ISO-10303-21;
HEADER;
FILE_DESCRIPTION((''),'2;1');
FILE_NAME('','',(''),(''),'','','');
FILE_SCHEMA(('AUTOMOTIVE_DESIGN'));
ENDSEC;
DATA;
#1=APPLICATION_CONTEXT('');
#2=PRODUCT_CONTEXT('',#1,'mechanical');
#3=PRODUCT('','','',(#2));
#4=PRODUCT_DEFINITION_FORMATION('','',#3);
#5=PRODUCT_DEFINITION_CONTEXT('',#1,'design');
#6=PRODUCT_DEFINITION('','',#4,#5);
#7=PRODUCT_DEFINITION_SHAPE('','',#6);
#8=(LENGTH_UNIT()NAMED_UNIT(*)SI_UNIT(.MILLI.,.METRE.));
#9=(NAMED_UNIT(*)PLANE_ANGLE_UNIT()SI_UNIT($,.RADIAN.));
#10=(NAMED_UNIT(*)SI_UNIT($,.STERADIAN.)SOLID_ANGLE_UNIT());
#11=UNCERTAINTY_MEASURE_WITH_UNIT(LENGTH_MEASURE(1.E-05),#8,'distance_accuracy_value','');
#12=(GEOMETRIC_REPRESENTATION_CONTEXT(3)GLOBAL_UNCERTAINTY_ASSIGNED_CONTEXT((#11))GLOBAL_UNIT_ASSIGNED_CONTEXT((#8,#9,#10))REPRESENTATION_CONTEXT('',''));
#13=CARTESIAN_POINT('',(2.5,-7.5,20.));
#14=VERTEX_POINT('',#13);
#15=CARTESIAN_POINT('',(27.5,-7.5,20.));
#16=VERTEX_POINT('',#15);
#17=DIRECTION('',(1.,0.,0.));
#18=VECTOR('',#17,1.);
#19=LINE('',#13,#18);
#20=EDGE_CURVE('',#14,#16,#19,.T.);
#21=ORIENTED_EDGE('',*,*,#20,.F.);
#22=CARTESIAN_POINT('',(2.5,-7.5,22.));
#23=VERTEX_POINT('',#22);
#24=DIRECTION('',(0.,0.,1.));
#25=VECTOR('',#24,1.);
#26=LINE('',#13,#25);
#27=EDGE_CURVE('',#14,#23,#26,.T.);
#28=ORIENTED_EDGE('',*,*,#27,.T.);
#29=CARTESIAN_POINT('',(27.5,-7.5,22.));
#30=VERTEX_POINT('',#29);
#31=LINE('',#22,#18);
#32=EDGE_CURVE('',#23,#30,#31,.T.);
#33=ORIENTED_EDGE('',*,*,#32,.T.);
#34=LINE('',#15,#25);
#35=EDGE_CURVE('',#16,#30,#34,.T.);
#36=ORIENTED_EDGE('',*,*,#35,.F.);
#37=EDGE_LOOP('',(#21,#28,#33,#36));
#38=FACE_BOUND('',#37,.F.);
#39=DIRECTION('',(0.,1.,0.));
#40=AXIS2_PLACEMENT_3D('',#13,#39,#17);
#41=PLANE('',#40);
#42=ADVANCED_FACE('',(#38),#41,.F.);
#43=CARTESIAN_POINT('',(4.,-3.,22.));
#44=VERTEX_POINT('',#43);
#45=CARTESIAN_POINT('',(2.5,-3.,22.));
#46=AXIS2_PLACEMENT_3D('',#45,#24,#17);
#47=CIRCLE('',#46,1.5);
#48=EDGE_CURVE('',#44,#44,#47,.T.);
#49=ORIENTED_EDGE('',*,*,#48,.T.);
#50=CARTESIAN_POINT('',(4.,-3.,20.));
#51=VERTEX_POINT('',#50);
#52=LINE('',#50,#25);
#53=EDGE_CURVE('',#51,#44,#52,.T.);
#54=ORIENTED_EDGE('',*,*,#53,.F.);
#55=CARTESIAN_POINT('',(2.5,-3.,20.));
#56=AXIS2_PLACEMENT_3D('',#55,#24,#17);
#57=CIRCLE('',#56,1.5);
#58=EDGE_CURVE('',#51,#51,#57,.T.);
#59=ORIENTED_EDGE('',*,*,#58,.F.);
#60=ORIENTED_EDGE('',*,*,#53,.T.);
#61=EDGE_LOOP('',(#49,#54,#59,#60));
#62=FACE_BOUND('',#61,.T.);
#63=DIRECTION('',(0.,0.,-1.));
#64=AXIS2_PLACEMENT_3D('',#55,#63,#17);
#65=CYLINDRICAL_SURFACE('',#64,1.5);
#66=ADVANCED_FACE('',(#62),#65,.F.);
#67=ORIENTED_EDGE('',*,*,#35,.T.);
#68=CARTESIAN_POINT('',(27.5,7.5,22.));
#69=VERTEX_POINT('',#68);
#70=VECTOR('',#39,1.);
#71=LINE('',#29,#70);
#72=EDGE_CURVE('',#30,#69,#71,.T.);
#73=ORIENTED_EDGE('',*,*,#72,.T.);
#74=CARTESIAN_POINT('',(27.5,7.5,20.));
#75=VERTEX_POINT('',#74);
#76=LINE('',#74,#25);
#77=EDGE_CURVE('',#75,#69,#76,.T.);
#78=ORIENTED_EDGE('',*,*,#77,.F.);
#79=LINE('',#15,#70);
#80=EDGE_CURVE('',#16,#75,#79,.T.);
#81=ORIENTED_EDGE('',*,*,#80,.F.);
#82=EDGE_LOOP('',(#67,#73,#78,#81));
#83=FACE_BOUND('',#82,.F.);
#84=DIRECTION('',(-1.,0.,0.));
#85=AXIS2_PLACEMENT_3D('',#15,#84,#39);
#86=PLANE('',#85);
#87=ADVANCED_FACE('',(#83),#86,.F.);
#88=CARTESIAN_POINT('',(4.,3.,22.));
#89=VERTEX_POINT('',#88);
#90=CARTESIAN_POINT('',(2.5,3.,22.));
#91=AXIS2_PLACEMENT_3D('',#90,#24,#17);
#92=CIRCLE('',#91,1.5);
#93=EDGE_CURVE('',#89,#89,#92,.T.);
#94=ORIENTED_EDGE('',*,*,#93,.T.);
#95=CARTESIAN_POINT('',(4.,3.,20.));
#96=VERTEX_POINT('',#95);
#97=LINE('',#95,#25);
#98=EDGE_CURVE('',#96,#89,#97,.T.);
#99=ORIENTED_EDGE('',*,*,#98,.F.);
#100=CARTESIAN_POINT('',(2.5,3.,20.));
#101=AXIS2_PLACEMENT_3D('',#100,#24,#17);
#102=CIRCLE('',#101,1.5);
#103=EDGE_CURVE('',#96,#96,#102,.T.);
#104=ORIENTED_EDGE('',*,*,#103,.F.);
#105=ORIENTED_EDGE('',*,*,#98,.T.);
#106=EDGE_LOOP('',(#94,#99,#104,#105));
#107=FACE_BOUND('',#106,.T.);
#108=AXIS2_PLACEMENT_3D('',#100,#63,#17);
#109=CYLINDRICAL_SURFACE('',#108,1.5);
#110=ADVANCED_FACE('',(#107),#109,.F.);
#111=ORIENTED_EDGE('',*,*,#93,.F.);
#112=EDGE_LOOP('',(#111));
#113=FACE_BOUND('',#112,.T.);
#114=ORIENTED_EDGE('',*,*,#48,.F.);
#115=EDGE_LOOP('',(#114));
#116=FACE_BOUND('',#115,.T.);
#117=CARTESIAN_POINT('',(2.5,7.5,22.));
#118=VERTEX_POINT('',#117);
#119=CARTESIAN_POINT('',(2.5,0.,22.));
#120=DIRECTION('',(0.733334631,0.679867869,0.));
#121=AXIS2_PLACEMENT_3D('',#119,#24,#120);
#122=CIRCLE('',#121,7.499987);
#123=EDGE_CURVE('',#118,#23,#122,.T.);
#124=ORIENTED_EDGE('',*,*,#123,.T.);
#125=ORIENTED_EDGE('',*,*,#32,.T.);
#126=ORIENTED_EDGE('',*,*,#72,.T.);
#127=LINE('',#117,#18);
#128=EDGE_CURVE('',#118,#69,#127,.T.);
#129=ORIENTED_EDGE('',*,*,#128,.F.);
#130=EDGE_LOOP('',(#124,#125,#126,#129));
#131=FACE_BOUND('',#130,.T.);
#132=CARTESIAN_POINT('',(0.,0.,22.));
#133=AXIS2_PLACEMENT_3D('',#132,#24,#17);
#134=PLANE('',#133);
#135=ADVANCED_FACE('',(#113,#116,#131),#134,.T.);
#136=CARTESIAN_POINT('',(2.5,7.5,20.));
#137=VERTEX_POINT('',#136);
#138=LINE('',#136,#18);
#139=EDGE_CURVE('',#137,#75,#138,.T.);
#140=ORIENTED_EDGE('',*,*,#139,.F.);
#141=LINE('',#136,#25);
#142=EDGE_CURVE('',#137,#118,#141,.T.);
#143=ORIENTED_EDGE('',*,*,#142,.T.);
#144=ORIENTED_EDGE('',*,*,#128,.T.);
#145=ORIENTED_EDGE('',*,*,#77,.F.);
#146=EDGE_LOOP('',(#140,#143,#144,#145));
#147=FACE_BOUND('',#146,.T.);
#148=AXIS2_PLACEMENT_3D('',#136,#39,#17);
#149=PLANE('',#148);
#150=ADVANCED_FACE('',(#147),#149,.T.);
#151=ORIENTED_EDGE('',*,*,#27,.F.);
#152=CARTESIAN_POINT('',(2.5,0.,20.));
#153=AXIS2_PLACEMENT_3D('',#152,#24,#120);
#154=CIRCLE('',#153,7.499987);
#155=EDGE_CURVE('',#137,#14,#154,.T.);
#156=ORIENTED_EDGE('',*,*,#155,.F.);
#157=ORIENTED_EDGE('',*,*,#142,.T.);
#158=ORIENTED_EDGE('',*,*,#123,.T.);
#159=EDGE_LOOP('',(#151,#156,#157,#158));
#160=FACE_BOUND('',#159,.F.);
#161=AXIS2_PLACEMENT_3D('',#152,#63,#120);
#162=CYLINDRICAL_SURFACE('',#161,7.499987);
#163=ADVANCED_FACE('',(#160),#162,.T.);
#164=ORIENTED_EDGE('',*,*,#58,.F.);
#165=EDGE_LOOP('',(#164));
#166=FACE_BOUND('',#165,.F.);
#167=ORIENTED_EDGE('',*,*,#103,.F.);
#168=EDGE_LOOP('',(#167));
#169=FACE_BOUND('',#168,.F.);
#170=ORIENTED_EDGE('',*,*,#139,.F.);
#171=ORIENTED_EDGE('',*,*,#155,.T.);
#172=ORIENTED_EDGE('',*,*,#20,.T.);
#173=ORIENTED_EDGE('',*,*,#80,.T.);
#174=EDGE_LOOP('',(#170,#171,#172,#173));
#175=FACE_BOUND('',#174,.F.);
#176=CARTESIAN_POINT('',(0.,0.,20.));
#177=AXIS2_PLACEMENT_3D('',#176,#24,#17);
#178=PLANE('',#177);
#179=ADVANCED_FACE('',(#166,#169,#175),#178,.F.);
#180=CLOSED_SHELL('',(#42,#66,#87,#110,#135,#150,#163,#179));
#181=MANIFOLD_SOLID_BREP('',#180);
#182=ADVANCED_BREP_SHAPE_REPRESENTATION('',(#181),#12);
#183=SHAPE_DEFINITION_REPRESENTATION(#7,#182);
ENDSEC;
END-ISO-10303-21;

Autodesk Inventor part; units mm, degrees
ref_plane "YZ Plane" through (0, 0, 0) normal (1, 0, 0) x (0, 1, 0)
ref_plane "XZ Plane" through (0, 0, 0) normal (0, 1, 0) x (-1, 0, 0)
sketch "Sketch1" plane through (0, 0, 0) normal (0, 0, 1) x (1, 0, 0)
  circle A0 centre (0, 0) radius 11.25
  line L0 (0, 0) -> (2.5, 0)
  circle A1 centre (2.5, 0) radius 7.5
  line L1 (8, 6.7455) -> (8, -7.7933)
  point P0 (10, 0)
  point P1 (10, 0)
  point P2 (8, -5.099)
  point P3 (8, 5.099)
  dimension "d2" = 15
  dimension "d0" = 22.5
  dimension "d1" = 2.5
  dimension "d3" = 2
extrude "Extrusion1" [suppressed]
extrude "Extrusion2" [suppressed]
sketch "Sketch2" plane through (2.5, 0, 13.5) normal (0, 0, 1) x (1, 0, 0)
  line L0 (0, 0) -> (0, 3)
  circle A0 centre (0, 3) radius 2.75
  line L1 (-18.25, 0) -> (13.25, 0) construction
  circle A1 centre (0, -3) radius 2.75
  point P0 (-2.5, 0)
  dimension "d8" = 3
  dimension "d23" = 5.5
hole "Hole1" [suppressed]
feature "FaceDraft1" [suppressed]
ref_plane "Work Plane1" through (0, 0, 20) normal (0, 0, 1) x (1, 0, 0)
sketch "Sketch3" plane through (0, 0, 20) normal (0, 0, 1) x (1, 0, 0)
  arc A0 (8, 5.099) -> (8, -5.099) centre (2.5, 0) ccw projected
  circle A1 centre (2.5, 3) radius 1.5 projected
  line L0 (2.5, 7.5) -> (27.5, 7.5)
  line L1 (2.5, -7.5) -> (27.5, -7.5)
  line L2 (27.5, -7.5) -> (27.5, 7.5)
  circle A2 centre (2.5, -3) radius 1.5 projected
  point P0 (0, 0)
  dimension "d18" = 25
  dimension "d19" = 25
extrude "Extrusion3" add sketch "Sketch3" along normal blind 2
properties part number "Leaver"
